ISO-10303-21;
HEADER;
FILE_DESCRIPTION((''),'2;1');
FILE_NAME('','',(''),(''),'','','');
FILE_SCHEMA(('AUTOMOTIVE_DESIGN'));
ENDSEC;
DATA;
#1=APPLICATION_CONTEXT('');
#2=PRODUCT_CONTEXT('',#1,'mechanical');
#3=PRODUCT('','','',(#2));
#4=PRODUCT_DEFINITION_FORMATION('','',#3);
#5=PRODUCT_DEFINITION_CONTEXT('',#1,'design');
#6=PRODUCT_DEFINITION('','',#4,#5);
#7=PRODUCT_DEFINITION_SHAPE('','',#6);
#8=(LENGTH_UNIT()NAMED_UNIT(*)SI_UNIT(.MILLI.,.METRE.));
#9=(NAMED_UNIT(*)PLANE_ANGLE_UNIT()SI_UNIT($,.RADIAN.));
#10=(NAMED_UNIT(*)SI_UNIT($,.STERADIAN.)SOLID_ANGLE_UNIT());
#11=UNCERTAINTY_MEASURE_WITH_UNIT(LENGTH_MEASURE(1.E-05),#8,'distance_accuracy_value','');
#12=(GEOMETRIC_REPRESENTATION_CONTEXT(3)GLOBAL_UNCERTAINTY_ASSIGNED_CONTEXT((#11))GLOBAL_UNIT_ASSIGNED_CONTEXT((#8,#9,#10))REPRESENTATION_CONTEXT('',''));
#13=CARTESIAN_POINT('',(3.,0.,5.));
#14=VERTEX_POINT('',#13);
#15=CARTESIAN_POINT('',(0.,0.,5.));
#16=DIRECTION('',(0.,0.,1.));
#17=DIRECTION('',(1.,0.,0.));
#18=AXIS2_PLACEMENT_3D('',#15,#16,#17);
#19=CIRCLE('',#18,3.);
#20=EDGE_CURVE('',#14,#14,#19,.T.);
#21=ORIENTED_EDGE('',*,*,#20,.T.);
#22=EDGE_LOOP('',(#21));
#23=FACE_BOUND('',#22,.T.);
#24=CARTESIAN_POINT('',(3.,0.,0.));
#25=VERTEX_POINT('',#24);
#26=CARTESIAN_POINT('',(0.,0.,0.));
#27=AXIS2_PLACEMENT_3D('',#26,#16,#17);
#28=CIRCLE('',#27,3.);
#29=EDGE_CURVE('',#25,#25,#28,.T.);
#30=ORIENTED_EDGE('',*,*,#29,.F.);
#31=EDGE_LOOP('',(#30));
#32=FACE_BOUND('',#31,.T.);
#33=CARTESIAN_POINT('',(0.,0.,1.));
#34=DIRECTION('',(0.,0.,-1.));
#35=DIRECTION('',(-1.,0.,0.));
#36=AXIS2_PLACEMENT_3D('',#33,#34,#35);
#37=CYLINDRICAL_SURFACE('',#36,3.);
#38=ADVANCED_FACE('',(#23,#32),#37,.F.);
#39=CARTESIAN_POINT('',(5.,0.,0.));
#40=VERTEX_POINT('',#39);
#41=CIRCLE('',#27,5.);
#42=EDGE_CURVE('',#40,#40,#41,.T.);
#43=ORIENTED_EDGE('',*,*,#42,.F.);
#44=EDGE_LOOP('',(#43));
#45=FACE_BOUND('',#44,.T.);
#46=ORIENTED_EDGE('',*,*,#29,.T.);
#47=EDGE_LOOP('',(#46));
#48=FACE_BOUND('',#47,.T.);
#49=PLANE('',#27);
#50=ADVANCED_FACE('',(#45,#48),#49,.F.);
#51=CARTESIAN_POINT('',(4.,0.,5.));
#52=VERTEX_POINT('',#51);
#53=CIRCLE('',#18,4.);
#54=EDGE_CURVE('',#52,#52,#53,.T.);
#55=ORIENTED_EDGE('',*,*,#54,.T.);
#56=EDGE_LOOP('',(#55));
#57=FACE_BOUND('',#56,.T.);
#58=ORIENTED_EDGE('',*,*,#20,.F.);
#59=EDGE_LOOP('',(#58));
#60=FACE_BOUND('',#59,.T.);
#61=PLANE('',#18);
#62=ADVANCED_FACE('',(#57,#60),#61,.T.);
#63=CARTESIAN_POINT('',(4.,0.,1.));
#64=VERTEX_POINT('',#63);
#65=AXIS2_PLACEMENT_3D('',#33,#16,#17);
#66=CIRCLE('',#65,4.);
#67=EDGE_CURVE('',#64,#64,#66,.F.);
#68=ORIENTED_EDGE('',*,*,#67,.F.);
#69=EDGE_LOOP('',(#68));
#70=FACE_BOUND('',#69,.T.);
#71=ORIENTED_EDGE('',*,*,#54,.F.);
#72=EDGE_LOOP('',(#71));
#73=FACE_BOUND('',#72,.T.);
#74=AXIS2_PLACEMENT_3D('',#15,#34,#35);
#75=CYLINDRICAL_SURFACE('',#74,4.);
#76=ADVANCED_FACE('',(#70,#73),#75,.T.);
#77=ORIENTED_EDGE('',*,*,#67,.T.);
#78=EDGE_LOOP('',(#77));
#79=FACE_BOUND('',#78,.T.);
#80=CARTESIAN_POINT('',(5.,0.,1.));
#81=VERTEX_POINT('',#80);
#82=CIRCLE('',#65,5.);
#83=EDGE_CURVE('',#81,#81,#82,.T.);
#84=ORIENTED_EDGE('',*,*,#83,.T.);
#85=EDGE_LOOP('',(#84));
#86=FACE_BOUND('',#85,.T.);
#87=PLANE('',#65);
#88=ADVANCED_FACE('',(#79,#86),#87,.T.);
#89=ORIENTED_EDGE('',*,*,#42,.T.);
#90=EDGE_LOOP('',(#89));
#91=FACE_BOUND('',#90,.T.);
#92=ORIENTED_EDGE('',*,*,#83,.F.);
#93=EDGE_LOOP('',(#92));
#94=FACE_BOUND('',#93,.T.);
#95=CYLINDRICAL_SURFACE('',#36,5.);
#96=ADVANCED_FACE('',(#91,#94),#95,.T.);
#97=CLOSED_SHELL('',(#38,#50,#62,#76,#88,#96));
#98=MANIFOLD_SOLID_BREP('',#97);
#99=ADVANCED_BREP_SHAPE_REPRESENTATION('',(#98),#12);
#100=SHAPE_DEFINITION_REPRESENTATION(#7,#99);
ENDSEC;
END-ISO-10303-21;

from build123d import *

# Parameters (mm, degrees)
SKETCH_1_R      = 5
SKETCH_1_R_2    = 3
EXTRUDE_1_DEPTH = 1
SKETCH_2_R      = 4
SKETCH_2_R_2    = 3
EXTRUDE_2_DEPTH = 5


with BuildPart() as part:
    # ｽｹｯﾁ1 → ﾎﾞｽ - 押し出し1 (new body)
    with BuildSketch(Plane.XY):
        Circle(SKETCH_1_R)
        Circle(SKETCH_1_R_2, mode=Mode.SUBTRACT)
    extrude(amount=EXTRUDE_1_DEPTH)

    # ｽｹｯﾁ2 → ﾎﾞｽ - 押し出し2 (add)
    with BuildSketch(Plane.XY):
        Circle(SKETCH_2_R)
        Circle(SKETCH_2_R_2, mode=Mode.SUBTRACT)
    extrude(amount=EXTRUDE_2_DEPTH)


solid = part.part
